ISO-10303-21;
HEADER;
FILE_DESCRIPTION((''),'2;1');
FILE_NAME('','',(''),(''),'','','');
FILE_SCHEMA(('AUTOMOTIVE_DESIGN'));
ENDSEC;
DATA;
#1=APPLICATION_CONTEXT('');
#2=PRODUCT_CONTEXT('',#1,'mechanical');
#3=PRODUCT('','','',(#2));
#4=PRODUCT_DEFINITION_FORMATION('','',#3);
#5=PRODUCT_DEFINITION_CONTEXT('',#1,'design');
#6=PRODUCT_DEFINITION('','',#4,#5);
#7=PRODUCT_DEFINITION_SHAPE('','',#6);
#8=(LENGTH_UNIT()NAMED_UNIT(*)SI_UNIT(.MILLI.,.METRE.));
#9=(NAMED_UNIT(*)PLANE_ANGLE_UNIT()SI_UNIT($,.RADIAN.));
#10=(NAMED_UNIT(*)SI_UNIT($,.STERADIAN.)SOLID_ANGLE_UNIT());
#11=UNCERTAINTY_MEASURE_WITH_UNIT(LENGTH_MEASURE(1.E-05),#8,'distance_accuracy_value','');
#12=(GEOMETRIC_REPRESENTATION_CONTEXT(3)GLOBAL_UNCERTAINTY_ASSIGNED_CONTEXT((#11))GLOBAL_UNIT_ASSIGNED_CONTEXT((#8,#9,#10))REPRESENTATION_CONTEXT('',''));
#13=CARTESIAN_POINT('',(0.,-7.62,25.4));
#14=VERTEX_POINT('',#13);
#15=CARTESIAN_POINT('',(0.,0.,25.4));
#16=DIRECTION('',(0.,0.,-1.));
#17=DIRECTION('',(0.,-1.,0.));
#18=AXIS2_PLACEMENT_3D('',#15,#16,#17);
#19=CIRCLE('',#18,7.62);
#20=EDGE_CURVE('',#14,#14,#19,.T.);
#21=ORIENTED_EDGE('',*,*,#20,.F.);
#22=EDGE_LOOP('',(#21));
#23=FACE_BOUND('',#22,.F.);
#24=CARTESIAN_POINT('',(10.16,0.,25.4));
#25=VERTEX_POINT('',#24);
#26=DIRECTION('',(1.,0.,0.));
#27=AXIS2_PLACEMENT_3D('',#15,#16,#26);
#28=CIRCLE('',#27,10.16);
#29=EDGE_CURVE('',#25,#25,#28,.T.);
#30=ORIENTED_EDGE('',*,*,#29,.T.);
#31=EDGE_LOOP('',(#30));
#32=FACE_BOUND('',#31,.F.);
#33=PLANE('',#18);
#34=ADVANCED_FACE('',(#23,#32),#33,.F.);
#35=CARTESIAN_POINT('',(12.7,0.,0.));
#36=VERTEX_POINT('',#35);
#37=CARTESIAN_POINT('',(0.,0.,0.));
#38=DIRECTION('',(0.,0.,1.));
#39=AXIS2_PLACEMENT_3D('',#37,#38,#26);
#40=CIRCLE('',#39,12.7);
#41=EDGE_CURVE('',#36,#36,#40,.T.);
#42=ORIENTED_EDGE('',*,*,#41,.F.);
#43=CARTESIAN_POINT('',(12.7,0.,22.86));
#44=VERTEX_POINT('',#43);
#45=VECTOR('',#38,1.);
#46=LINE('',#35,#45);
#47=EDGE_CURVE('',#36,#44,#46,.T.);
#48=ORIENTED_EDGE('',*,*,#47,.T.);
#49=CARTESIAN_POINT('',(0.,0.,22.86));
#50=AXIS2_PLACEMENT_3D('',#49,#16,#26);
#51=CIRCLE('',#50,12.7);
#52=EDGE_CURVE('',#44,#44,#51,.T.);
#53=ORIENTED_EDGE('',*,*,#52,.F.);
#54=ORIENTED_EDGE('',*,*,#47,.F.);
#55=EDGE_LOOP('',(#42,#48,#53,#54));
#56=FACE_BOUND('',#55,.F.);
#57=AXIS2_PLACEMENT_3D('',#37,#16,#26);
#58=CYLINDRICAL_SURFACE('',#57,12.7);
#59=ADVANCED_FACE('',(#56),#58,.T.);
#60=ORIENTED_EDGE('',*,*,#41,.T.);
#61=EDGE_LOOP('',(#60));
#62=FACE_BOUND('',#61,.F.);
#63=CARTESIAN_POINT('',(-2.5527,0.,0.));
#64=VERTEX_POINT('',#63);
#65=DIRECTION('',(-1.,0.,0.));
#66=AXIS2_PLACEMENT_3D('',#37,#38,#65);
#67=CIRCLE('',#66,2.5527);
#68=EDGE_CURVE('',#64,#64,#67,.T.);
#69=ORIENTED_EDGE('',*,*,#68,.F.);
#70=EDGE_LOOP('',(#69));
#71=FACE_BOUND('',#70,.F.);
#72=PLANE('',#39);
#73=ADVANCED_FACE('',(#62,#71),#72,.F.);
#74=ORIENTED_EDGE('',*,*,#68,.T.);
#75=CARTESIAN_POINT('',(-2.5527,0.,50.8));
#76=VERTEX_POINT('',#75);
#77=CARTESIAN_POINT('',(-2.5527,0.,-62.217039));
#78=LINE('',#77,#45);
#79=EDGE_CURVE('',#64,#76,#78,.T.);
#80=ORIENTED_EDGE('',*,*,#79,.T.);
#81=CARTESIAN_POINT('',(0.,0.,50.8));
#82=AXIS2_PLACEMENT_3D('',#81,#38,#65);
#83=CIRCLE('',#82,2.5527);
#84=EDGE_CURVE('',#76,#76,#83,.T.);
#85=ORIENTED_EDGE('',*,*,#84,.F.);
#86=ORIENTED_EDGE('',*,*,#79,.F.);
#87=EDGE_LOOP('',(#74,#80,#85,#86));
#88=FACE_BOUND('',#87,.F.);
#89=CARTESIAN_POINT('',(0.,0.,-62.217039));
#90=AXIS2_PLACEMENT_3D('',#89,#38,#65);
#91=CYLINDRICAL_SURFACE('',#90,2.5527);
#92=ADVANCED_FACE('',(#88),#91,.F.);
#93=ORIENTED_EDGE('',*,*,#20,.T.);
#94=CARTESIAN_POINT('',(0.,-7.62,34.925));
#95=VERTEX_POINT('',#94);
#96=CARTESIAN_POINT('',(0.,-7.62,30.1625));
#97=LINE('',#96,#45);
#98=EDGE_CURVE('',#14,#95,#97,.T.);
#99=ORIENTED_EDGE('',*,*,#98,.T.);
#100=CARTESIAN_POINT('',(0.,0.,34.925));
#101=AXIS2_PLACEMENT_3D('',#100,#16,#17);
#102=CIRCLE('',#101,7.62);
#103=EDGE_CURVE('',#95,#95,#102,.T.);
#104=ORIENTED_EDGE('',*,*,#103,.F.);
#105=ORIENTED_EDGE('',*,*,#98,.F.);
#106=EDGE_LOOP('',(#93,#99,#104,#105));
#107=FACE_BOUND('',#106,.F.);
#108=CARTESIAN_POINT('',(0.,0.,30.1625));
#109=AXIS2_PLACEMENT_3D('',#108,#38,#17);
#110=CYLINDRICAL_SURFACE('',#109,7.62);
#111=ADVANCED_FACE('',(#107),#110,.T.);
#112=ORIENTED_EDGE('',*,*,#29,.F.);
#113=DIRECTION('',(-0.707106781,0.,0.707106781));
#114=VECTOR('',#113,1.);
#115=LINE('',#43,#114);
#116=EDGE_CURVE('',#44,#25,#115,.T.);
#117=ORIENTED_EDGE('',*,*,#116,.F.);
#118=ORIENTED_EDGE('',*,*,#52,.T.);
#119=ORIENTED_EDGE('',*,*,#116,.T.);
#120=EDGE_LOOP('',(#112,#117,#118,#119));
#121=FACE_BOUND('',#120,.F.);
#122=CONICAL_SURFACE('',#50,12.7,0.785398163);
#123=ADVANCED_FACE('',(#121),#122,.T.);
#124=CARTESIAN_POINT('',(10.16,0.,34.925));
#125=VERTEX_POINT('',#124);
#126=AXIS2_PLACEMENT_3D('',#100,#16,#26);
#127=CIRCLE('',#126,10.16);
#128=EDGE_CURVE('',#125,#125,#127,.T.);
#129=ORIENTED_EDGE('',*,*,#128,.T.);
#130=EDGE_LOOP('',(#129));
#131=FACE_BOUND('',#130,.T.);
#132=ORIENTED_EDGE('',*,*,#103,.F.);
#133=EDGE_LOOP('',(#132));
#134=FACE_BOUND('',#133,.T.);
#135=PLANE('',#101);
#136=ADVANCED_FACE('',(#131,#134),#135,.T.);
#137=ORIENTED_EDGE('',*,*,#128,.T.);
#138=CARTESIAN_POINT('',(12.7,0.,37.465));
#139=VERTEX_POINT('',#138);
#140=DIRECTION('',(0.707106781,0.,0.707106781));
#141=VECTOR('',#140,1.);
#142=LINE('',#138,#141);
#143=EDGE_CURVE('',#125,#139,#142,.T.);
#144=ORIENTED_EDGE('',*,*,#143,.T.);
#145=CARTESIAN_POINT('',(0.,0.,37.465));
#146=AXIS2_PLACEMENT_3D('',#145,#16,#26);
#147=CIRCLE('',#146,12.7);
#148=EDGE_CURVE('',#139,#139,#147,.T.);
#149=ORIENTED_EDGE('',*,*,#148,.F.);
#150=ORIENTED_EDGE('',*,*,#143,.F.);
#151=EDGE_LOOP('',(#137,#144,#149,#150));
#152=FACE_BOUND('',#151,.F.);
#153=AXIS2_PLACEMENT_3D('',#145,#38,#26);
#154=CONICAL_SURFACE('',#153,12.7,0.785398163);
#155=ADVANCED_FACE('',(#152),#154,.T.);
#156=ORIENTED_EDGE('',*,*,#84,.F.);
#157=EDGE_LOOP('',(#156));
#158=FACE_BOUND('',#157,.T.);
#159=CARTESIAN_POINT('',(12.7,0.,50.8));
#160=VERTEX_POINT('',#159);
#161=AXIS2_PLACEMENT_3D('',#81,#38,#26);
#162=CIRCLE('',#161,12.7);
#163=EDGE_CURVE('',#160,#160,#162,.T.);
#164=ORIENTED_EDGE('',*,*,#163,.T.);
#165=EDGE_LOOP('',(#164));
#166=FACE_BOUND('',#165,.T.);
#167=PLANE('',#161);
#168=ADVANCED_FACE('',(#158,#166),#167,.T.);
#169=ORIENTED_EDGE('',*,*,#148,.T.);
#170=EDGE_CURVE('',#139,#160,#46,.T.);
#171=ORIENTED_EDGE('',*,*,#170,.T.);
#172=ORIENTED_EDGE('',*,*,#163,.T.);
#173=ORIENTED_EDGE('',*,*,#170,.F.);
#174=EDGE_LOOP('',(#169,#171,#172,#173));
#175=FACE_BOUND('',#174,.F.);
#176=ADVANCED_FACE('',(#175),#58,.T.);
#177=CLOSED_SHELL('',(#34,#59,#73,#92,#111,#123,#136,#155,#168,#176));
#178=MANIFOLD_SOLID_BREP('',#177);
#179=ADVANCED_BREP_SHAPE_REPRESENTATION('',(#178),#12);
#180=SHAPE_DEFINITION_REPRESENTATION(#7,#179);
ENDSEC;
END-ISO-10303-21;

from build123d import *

# Parameters (mm, degrees)
F0_R     = 12.7
F1_DEPTH = 50.8
F2_W     = 5.08
F2_H     = 9.525
F4_SIZE  = 2.54
F6_D     = 5.1054


with BuildPart() as f1:
    # F0 (on Top) → F1 (new body)
    with BuildSketch(Plane.XY):
        Circle(F0_R)
    extrude(amount=F1_DEPTH)

    # F2 (on Right) → F3 (revolve, cut)
    with BuildSketch(Plane.YZ):
        with Locations((-10.16, 30.1625)):
            Rectangle(F2_W, F2_H)
    revolve(axis=Axis((0, 0, 51.1521063745), (0, 0, -1)), mode=Mode.SUBTRACT)

    # F4
    f4_edges = [f1.edges().sort_by_distance(p)[0] for p in [
        (-12.7, 0, 25.4),
        (-12.7, 0, 34.925),
    ]]
    chamfer(f4_edges, length=F4_SIZE)

    # F6 (through all)
    with Locations(Plane(origin=(0, 0, 0), x_dir=(1, 0, 0), z_dir=(0, 0, -1))):
        with Locations((0, 0)):
            Hole(F6_D / 2)


solid = f1.part
